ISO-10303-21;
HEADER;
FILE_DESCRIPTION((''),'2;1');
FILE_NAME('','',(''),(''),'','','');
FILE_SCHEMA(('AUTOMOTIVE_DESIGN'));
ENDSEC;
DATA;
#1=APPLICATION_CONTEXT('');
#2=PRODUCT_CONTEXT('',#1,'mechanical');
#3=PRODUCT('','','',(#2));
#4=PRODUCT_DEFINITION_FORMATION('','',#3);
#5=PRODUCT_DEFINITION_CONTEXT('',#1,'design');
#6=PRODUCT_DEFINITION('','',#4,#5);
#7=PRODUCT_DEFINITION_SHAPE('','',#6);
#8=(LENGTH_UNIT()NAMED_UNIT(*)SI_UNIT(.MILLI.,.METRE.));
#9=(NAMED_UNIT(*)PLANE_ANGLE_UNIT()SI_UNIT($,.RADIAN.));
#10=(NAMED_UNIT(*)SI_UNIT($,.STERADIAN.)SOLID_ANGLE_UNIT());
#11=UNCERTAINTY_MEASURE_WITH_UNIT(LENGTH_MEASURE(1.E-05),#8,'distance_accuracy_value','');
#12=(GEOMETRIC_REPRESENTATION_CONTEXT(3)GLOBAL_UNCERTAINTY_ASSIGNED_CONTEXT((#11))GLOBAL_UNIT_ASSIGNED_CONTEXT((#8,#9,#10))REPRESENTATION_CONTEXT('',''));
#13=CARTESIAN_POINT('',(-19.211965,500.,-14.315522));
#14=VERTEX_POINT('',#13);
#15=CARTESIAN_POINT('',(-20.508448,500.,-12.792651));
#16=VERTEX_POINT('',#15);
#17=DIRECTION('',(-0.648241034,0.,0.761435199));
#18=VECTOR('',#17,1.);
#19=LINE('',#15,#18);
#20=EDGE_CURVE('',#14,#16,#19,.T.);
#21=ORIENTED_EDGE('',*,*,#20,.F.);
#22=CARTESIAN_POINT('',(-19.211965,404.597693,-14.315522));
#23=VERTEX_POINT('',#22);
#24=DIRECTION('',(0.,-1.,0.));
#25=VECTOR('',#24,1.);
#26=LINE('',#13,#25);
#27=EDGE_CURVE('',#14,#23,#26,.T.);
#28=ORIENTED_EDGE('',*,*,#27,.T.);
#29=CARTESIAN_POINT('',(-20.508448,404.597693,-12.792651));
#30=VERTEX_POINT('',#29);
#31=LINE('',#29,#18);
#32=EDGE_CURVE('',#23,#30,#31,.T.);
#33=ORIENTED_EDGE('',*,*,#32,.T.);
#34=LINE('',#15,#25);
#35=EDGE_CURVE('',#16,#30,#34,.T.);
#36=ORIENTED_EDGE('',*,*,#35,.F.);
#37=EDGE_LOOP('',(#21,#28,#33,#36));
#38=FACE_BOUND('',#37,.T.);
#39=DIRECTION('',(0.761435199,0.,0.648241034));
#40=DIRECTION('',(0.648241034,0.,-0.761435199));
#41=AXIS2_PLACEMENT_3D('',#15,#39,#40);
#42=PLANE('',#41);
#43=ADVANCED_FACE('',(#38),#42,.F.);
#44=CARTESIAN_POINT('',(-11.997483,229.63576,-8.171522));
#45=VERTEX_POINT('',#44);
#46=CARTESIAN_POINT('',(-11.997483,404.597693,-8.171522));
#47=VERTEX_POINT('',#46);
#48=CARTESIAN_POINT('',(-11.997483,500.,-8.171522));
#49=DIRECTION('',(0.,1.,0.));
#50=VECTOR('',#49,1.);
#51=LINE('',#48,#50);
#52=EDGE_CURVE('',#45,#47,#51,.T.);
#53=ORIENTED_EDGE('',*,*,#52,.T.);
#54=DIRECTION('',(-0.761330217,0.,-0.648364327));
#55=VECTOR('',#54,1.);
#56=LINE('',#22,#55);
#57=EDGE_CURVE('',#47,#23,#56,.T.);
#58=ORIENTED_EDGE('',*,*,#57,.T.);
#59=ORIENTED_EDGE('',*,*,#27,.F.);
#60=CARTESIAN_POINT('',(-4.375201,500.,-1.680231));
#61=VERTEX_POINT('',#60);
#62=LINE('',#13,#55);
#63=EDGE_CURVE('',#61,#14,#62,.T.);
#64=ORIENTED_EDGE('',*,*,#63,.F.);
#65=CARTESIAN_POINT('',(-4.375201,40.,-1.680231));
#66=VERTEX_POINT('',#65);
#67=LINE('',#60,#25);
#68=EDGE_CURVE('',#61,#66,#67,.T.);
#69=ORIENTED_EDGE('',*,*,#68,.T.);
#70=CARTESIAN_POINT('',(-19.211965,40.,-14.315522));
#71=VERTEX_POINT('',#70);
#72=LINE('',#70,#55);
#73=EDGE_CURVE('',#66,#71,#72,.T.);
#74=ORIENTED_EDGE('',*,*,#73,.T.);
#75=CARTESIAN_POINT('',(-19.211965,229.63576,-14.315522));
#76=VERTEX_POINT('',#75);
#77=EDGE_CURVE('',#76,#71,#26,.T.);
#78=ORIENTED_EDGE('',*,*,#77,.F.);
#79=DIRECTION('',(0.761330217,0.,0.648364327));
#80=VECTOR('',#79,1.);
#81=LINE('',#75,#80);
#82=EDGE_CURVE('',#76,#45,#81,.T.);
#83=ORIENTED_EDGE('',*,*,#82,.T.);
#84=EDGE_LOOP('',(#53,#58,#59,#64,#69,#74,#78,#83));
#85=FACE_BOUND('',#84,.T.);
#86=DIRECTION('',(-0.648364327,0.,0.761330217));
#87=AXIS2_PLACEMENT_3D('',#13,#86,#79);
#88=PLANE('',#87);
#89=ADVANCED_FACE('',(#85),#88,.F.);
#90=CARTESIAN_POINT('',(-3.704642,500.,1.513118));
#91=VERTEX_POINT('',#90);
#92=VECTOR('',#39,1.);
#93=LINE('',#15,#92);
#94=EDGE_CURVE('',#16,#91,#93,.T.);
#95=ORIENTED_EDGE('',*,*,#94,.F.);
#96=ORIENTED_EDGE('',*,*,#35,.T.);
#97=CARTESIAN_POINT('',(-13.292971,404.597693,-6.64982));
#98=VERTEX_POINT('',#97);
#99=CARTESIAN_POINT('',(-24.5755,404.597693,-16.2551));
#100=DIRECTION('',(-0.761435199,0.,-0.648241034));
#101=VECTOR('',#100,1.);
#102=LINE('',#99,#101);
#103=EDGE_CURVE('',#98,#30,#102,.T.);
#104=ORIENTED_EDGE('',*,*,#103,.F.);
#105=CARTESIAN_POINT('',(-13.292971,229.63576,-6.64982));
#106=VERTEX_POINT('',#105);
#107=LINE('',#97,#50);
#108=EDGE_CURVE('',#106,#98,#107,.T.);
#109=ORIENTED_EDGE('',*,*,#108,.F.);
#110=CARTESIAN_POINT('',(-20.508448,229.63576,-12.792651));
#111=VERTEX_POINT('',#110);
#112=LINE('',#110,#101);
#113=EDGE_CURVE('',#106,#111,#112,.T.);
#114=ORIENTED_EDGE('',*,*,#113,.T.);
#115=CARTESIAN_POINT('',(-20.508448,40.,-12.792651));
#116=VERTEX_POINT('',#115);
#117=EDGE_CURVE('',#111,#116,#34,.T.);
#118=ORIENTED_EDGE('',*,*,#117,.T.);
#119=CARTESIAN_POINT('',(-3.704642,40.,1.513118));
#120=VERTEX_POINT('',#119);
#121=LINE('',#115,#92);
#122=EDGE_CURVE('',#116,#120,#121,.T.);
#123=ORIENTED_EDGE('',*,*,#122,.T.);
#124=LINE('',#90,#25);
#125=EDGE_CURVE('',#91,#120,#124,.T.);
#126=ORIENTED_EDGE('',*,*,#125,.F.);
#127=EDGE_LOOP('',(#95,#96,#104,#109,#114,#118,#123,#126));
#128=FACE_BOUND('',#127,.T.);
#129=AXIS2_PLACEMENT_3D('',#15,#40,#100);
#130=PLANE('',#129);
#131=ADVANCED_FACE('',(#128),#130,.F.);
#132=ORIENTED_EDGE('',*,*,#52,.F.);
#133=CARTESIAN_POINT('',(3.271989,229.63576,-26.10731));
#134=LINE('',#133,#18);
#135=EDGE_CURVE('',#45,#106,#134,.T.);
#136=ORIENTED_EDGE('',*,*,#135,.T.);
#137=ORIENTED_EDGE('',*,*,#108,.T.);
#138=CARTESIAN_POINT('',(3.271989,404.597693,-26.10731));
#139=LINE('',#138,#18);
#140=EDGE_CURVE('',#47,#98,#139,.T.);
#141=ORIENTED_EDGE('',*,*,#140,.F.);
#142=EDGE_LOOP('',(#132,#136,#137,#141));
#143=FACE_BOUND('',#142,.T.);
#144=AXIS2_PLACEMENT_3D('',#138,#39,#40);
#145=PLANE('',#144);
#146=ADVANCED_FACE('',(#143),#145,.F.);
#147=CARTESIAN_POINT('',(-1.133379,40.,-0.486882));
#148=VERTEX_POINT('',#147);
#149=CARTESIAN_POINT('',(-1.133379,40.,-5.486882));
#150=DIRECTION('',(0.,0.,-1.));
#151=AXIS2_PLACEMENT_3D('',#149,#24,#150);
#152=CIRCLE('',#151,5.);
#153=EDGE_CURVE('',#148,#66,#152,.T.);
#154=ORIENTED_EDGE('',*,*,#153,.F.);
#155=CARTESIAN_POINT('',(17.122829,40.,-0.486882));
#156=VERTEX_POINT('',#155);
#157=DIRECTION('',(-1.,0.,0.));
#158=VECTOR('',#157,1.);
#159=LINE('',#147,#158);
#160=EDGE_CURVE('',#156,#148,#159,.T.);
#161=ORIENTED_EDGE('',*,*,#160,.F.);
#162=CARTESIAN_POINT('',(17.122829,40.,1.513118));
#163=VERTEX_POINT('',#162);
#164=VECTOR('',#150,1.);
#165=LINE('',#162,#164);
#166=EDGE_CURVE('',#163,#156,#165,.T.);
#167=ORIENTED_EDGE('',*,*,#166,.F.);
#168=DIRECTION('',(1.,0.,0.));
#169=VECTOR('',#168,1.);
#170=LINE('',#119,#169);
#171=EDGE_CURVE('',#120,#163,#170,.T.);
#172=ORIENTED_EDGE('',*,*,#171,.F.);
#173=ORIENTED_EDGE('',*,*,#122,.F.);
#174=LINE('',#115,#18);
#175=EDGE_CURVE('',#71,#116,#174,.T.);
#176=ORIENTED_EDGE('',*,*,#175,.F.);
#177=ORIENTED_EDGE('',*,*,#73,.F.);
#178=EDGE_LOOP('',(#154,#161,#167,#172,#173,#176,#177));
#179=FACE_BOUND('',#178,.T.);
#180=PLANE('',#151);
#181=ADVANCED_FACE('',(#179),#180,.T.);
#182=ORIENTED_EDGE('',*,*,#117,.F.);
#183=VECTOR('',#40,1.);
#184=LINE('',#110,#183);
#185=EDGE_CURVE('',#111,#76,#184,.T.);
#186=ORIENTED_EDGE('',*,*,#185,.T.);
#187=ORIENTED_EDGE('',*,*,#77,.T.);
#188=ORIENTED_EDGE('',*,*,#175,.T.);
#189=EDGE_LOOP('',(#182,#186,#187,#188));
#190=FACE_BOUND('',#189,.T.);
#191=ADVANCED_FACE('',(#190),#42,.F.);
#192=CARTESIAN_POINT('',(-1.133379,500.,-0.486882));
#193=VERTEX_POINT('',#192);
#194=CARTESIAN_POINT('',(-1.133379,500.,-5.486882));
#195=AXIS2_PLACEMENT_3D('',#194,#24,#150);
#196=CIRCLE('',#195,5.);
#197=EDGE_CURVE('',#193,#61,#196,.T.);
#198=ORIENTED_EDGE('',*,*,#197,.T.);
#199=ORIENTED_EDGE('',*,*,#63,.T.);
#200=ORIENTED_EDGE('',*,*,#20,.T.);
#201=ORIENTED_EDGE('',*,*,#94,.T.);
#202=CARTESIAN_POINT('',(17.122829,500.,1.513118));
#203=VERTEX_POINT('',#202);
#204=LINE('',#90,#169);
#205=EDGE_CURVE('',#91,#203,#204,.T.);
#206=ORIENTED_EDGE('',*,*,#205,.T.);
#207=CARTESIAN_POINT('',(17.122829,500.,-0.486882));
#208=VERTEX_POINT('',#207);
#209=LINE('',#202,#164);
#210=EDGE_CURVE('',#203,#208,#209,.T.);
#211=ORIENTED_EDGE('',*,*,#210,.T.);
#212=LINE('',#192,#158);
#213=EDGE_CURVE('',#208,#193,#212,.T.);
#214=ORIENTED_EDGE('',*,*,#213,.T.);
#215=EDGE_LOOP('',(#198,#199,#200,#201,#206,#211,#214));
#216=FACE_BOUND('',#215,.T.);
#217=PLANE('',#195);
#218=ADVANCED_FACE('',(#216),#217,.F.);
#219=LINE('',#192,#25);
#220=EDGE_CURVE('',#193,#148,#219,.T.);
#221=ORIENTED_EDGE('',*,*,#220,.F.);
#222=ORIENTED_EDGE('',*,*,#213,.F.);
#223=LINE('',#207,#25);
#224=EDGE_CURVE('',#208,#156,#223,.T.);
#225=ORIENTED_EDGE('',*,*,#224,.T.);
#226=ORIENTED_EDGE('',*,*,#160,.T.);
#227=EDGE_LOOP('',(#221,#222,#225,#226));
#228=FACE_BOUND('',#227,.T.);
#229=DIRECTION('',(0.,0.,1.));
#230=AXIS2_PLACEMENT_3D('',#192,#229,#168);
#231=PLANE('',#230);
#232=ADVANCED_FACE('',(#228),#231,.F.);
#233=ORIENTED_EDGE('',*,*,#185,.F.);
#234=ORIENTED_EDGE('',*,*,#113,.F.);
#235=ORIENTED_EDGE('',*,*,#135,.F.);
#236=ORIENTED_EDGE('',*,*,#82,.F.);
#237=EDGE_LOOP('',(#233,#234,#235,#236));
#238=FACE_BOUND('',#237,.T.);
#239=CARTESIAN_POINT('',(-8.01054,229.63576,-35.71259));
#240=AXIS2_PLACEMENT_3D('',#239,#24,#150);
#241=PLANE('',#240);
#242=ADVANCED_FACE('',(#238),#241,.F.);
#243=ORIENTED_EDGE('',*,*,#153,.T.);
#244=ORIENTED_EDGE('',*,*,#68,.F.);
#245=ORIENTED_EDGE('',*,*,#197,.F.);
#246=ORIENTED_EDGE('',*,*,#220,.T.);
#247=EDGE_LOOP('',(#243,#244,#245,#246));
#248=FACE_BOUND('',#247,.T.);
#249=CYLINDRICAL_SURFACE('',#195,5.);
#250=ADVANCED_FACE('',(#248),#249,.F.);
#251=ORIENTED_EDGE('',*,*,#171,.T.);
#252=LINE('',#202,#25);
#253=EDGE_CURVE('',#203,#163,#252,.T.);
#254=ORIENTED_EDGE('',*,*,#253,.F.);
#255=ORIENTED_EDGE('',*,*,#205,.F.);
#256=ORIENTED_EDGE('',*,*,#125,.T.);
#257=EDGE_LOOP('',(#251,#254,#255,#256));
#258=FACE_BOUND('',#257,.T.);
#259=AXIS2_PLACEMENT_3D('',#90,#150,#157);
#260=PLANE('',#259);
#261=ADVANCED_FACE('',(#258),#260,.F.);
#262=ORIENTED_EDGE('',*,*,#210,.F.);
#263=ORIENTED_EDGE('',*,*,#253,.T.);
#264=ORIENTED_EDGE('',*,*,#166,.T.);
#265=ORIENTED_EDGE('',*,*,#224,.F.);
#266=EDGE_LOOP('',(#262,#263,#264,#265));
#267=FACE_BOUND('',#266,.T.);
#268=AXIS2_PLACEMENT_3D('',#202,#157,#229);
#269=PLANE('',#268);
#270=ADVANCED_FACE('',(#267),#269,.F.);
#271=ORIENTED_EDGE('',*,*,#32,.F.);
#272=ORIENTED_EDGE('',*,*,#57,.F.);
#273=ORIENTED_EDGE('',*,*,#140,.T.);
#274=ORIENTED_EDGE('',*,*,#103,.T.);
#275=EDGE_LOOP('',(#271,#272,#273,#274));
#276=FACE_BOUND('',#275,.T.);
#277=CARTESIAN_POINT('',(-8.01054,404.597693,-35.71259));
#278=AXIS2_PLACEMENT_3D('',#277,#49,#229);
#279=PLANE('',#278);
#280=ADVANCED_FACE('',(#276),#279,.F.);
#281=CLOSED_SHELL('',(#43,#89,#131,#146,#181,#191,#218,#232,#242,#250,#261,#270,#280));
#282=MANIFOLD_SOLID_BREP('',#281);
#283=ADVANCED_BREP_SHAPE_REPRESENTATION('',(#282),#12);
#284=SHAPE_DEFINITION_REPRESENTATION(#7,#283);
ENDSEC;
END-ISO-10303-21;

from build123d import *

# Parameters (mm, degrees)
EXTRUDE_START       = 40
EXTRUDE_1_DEPTH     = 460
SKETCH_2_W          = 14.817451962
SKETCH_2_H          = 174.961932368
CUT_EXTRUDE_1_DEPTH = 501.666670065


with BuildPart() as part:
    # Эскиз1 → Вытянуть1 (new body)
    with BuildSketch(Plane(origin=(0, 0, 0), x_dir=(1, 0, 0), z_dir=(0, 1, 0)).offset(EXTRUDE_START)):
        with BuildLine():
            Line((-20.508447565, 12.792651291), (-19.211965496, 14.315521688))
            Line((-19.211965496, 14.315521688), (-4.37520086, 1.680230584))
            ThreePointArc((-4.37520086, 1.680230584), (-2.860623355, 0.794693725), (-1.133379225, 0.48688167))
            Line((-1.133379225, 0.48688167), (17.122829042, 0.48688167))
            Line((17.122829042, 0.48688167), (17.122829042, -1.51311833))
            Line((17.122829042, -1.51311833), (-3.70464164, -1.51311833))
            Line((-3.70464164, -1.51311833), (-20.508447565, 12.792651291))
        make_face()
    extrude(amount=EXTRUDE_1_DEPTH)

    # Эскиз2 → Вырез-Вытянуть1 (cut, through all)
    with BuildSketch(Plane(origin=(-2.30361675, 0, 2.705868318), x_dir=(0.7614351985155554, 0, 0.6482410342315402), z_dir=(-0.6482410342315401, 0, 0.7614351985155553))):
        with Locations((-21.841147888, 317.116726633)):
            Rectangle(SKETCH_2_W, SKETCH_2_H)
    extrude(amount=-CUT_EXTRUDE_1_DEPTH, mode=Mode.SUBTRACT)


solid = part.part
